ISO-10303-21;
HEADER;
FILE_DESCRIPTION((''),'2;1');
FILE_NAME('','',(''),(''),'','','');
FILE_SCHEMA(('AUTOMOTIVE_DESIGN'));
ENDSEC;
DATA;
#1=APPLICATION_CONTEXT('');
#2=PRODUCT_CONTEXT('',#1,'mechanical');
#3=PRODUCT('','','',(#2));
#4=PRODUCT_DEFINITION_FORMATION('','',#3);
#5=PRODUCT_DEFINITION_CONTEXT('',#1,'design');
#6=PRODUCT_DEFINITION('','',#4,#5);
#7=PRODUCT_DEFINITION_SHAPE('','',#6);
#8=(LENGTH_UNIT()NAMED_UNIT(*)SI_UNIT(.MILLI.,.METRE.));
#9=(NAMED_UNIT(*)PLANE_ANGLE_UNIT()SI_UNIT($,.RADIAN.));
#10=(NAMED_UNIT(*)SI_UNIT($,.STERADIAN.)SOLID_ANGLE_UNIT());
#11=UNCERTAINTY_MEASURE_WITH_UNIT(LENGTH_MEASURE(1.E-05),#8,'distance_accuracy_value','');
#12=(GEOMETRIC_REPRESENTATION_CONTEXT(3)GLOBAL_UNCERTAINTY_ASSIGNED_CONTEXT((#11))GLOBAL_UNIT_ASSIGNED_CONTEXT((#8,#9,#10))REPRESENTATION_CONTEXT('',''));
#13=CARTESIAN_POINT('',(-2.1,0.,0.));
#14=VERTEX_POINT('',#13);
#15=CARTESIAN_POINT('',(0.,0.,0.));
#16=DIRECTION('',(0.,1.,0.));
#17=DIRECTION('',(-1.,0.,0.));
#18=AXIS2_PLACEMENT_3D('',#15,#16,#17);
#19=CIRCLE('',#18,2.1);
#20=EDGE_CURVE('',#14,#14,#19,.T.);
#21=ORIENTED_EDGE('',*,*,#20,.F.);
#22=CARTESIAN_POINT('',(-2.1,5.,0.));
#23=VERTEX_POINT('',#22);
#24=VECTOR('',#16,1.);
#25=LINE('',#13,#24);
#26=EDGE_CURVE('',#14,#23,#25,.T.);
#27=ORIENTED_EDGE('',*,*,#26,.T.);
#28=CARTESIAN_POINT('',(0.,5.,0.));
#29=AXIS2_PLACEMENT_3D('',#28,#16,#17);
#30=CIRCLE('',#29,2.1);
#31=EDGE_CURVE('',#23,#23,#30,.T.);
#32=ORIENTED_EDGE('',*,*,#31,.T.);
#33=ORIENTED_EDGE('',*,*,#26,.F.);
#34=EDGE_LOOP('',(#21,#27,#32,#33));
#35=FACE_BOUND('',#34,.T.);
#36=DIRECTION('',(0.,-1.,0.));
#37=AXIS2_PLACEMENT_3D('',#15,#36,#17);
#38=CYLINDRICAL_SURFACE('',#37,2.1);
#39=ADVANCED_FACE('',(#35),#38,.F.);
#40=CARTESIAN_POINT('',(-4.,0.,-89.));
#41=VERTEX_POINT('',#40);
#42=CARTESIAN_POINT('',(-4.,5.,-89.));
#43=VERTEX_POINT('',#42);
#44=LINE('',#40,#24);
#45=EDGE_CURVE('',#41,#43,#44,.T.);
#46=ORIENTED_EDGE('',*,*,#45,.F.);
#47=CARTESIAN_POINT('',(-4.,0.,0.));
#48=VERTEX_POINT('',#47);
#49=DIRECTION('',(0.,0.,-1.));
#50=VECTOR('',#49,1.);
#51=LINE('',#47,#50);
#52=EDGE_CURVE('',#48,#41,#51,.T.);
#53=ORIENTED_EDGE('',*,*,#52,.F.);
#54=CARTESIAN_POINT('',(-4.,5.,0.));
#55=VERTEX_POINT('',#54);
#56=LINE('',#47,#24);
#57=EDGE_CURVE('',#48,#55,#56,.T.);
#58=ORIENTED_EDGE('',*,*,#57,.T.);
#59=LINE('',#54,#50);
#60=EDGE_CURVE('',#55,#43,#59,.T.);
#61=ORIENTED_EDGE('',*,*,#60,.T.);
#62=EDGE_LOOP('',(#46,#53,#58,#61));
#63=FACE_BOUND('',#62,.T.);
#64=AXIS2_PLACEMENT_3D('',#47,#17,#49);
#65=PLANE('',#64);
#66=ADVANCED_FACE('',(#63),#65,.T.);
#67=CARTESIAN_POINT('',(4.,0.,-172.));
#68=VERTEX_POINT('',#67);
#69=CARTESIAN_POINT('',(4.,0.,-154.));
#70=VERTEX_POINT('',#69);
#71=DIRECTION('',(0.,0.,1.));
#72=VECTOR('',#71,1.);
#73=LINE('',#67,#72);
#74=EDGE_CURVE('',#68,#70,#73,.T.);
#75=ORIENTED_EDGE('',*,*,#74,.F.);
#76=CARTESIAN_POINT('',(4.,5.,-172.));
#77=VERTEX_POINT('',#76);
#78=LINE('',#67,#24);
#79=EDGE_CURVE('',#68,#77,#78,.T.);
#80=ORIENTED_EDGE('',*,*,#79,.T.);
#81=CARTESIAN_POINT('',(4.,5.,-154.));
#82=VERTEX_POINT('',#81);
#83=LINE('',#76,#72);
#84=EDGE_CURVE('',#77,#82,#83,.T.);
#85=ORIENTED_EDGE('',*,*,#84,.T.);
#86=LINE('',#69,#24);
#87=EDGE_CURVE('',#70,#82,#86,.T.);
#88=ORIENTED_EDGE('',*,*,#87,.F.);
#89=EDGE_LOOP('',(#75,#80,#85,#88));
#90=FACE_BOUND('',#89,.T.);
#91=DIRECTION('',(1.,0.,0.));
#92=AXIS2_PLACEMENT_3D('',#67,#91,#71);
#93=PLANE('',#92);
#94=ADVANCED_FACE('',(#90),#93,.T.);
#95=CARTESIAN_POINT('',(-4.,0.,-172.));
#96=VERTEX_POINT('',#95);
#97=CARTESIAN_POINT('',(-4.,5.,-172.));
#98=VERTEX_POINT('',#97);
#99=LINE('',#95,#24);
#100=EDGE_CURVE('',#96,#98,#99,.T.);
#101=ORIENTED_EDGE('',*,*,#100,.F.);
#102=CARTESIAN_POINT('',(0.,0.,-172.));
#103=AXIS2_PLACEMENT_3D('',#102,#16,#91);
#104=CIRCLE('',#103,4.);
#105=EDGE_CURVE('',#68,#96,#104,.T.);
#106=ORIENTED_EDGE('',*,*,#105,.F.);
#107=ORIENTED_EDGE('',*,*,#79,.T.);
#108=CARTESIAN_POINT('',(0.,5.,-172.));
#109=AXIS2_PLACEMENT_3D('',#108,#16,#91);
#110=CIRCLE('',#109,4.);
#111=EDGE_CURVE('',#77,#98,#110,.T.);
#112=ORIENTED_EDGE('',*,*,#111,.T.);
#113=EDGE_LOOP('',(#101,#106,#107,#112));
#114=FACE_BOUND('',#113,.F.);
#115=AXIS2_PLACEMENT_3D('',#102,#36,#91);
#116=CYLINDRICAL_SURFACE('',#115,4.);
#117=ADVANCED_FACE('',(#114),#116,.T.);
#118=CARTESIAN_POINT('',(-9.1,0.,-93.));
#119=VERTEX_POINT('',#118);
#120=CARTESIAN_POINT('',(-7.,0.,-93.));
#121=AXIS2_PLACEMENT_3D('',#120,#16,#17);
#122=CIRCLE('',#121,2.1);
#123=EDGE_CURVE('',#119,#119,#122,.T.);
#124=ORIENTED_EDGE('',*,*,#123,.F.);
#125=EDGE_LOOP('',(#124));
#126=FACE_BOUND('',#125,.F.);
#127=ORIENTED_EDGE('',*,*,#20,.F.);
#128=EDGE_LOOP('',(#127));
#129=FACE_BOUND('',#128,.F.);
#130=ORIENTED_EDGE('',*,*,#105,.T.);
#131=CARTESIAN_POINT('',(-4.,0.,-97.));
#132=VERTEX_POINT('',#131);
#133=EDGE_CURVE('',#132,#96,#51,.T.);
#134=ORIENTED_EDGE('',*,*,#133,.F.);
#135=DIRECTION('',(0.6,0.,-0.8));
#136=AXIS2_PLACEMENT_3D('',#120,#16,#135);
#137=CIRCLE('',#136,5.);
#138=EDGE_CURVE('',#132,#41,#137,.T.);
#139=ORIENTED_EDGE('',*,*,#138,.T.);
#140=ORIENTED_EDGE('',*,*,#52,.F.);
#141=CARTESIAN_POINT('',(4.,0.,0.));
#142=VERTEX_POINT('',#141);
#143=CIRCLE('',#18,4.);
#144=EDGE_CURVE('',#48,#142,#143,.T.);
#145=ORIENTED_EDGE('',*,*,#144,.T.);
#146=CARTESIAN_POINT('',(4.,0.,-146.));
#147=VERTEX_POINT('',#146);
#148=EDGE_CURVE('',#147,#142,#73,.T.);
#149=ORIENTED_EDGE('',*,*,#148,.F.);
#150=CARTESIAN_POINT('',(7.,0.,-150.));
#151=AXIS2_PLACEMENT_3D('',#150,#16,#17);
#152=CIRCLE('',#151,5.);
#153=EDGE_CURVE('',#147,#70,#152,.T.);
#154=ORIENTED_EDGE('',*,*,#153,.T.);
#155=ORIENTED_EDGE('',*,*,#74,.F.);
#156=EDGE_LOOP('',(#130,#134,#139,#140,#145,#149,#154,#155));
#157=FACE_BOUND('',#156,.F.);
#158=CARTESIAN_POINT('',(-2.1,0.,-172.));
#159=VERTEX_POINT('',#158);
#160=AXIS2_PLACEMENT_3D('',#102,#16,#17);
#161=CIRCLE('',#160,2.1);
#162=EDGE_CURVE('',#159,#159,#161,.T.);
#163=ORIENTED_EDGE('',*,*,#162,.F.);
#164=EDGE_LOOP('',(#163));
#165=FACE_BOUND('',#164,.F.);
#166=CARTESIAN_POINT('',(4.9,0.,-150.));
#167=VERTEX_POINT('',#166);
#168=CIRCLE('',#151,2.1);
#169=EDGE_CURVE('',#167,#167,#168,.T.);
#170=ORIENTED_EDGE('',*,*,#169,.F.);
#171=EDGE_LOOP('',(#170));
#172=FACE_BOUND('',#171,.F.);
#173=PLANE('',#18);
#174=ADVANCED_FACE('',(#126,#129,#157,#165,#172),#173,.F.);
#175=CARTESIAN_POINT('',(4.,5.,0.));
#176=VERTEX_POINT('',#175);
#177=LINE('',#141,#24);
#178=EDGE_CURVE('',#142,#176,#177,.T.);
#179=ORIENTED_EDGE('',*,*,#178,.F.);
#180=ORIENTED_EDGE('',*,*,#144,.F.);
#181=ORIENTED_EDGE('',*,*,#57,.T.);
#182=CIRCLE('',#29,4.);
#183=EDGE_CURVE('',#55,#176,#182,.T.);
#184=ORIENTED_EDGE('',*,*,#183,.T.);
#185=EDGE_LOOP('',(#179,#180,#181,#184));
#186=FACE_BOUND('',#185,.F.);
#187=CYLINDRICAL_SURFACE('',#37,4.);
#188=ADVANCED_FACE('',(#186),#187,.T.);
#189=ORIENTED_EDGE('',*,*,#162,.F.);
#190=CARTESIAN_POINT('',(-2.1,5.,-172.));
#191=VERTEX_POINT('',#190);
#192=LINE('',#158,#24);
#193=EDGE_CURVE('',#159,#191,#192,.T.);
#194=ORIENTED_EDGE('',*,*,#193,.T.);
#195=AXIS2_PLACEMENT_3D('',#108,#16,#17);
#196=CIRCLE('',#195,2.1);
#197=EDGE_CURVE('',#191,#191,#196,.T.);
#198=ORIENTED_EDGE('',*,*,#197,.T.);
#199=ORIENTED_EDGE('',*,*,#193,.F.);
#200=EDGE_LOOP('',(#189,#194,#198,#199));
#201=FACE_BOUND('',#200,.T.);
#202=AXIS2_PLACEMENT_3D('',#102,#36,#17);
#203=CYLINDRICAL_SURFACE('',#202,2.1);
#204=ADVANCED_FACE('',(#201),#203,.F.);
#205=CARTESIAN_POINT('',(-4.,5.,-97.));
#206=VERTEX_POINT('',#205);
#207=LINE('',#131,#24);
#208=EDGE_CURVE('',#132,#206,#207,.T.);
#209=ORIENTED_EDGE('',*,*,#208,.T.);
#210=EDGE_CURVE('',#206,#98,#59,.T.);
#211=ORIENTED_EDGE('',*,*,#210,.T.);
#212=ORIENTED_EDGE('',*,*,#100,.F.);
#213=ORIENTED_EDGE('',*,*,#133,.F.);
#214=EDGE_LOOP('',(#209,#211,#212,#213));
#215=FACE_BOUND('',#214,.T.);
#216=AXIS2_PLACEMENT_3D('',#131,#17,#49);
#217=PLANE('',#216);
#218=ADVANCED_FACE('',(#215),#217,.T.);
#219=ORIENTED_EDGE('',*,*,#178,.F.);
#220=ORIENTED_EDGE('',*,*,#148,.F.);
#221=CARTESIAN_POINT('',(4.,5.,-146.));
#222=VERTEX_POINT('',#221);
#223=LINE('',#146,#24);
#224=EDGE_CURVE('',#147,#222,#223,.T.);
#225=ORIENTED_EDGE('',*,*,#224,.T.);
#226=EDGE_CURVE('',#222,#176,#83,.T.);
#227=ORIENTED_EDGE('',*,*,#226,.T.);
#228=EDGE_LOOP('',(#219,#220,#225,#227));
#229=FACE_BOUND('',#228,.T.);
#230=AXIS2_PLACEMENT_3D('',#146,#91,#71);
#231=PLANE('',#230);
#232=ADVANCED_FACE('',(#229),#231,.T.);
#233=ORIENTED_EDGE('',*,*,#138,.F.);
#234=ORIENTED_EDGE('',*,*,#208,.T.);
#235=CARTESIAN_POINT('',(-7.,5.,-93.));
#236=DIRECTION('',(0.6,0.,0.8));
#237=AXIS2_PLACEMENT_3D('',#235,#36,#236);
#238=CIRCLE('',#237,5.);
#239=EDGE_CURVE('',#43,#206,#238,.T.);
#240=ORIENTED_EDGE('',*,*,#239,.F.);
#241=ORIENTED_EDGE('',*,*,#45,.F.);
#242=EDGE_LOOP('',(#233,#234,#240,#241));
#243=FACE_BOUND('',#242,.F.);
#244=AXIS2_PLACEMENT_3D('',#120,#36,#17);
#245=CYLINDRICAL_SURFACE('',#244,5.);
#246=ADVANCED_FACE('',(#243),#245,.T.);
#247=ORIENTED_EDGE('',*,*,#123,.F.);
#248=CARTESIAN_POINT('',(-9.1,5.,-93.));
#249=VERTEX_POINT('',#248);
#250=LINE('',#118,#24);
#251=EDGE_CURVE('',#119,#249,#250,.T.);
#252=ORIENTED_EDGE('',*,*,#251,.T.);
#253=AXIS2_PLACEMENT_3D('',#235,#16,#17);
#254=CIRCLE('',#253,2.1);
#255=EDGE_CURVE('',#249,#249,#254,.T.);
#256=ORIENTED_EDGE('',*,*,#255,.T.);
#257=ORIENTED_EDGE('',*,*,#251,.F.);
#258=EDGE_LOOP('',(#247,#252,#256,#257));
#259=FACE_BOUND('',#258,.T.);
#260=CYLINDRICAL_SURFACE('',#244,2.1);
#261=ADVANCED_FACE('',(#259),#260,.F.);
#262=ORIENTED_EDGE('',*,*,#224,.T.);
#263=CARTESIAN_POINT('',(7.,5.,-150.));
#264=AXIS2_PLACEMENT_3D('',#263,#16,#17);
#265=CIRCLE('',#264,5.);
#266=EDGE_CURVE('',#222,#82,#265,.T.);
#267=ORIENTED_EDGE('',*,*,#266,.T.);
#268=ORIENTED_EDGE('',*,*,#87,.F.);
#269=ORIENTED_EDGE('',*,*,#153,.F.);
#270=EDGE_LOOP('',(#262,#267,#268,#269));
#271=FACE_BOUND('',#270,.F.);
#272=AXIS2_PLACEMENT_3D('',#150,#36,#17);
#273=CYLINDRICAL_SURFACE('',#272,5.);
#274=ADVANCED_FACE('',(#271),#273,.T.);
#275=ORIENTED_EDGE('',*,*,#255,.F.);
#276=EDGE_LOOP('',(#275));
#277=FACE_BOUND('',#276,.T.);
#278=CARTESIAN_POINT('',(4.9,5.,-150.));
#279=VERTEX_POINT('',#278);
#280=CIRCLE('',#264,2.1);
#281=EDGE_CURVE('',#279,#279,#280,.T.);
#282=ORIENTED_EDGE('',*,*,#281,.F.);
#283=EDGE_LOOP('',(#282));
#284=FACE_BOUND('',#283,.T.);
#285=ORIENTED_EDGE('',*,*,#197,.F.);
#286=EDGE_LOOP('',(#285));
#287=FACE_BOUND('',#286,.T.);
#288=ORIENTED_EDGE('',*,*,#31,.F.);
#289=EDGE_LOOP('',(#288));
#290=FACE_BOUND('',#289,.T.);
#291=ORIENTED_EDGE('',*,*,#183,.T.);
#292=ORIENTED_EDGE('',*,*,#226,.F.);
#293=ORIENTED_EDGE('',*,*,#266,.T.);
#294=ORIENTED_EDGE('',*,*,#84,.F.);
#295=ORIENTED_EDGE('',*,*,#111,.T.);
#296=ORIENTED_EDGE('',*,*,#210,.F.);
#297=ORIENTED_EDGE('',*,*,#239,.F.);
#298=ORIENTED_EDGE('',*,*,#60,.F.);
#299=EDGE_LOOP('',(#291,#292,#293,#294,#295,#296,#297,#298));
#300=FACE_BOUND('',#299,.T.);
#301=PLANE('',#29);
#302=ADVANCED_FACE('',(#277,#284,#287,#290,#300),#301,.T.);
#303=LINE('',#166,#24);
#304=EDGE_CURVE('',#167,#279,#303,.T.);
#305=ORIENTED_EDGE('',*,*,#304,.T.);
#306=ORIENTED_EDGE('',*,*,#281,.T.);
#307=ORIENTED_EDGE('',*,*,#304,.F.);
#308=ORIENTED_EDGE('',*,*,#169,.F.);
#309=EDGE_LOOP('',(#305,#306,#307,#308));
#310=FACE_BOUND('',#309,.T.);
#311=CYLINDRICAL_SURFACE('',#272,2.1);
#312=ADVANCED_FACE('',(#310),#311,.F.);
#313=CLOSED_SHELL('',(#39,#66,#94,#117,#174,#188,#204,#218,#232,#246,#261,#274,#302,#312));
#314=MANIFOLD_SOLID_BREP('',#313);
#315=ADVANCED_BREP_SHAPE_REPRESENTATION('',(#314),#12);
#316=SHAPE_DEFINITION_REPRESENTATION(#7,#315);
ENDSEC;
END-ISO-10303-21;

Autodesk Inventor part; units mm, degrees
ref_plane "YZ Plane" through (0, 0, 0) normal (1, 0, 0) x (0, 1, 0)
ref_plane "XZ Plane" through (0, 0, 0) normal (0, 1, 0) x (-1, 0, 0)
ref_plane "XY Plane" through (0, 0, 0) normal (0, 0, 1) x (1, 0, 0)
sketch "Sketch1" plane through (0, 0, 0) normal (0, 1, 0) x (-1, 0, 0)
  line L0 (0, 0) -> (0, -172) construction
  line L1 (4, 0) -> (4, -172)
  line L2 (-4, -172) -> (-4, 0)
  arc A0 (4, 0) -> (-4, 0) centre (0, 0) ccw
  arc A1 (-4, -172) -> (4, -172) centre (0, -172) ccw
  circle A2 centre (0, 0) radius 2.1
  circle A3 centre (0, -172) radius 2.1
  circle A4 centre (7, -93) radius 2.1
  circle A5 centre (7, -93) radius 5
  circle A6 centre (-7, -150) radius 2.1
  circle A7 centre (-7, -150) radius 5
  point P0 (0, -86)
  point P1 (4, -89)
  point P2 (4, -99.3597)
  point P3 (4, -100.6403)
  point P4 (4, -97)
  point P5 (-4, -146)
  point P6 (-4, -154)
  dimension "d0" = 172
  dimension "d1" = 8
  dimension "d2" = 4.2
  dimension "d3" = 4.2
  dimension "d8" = 4.2
  dimension "d9" = 93
  dimension "d10" = 3
  dimension "d11" = 10
  dimension "d12" = 4.2
  dimension "d13" = 10
  dimension "d15" = 3
  dimension "d16" = 150
extrude "Extrusion1" add sketch "Sketch1" along normal blind 5
